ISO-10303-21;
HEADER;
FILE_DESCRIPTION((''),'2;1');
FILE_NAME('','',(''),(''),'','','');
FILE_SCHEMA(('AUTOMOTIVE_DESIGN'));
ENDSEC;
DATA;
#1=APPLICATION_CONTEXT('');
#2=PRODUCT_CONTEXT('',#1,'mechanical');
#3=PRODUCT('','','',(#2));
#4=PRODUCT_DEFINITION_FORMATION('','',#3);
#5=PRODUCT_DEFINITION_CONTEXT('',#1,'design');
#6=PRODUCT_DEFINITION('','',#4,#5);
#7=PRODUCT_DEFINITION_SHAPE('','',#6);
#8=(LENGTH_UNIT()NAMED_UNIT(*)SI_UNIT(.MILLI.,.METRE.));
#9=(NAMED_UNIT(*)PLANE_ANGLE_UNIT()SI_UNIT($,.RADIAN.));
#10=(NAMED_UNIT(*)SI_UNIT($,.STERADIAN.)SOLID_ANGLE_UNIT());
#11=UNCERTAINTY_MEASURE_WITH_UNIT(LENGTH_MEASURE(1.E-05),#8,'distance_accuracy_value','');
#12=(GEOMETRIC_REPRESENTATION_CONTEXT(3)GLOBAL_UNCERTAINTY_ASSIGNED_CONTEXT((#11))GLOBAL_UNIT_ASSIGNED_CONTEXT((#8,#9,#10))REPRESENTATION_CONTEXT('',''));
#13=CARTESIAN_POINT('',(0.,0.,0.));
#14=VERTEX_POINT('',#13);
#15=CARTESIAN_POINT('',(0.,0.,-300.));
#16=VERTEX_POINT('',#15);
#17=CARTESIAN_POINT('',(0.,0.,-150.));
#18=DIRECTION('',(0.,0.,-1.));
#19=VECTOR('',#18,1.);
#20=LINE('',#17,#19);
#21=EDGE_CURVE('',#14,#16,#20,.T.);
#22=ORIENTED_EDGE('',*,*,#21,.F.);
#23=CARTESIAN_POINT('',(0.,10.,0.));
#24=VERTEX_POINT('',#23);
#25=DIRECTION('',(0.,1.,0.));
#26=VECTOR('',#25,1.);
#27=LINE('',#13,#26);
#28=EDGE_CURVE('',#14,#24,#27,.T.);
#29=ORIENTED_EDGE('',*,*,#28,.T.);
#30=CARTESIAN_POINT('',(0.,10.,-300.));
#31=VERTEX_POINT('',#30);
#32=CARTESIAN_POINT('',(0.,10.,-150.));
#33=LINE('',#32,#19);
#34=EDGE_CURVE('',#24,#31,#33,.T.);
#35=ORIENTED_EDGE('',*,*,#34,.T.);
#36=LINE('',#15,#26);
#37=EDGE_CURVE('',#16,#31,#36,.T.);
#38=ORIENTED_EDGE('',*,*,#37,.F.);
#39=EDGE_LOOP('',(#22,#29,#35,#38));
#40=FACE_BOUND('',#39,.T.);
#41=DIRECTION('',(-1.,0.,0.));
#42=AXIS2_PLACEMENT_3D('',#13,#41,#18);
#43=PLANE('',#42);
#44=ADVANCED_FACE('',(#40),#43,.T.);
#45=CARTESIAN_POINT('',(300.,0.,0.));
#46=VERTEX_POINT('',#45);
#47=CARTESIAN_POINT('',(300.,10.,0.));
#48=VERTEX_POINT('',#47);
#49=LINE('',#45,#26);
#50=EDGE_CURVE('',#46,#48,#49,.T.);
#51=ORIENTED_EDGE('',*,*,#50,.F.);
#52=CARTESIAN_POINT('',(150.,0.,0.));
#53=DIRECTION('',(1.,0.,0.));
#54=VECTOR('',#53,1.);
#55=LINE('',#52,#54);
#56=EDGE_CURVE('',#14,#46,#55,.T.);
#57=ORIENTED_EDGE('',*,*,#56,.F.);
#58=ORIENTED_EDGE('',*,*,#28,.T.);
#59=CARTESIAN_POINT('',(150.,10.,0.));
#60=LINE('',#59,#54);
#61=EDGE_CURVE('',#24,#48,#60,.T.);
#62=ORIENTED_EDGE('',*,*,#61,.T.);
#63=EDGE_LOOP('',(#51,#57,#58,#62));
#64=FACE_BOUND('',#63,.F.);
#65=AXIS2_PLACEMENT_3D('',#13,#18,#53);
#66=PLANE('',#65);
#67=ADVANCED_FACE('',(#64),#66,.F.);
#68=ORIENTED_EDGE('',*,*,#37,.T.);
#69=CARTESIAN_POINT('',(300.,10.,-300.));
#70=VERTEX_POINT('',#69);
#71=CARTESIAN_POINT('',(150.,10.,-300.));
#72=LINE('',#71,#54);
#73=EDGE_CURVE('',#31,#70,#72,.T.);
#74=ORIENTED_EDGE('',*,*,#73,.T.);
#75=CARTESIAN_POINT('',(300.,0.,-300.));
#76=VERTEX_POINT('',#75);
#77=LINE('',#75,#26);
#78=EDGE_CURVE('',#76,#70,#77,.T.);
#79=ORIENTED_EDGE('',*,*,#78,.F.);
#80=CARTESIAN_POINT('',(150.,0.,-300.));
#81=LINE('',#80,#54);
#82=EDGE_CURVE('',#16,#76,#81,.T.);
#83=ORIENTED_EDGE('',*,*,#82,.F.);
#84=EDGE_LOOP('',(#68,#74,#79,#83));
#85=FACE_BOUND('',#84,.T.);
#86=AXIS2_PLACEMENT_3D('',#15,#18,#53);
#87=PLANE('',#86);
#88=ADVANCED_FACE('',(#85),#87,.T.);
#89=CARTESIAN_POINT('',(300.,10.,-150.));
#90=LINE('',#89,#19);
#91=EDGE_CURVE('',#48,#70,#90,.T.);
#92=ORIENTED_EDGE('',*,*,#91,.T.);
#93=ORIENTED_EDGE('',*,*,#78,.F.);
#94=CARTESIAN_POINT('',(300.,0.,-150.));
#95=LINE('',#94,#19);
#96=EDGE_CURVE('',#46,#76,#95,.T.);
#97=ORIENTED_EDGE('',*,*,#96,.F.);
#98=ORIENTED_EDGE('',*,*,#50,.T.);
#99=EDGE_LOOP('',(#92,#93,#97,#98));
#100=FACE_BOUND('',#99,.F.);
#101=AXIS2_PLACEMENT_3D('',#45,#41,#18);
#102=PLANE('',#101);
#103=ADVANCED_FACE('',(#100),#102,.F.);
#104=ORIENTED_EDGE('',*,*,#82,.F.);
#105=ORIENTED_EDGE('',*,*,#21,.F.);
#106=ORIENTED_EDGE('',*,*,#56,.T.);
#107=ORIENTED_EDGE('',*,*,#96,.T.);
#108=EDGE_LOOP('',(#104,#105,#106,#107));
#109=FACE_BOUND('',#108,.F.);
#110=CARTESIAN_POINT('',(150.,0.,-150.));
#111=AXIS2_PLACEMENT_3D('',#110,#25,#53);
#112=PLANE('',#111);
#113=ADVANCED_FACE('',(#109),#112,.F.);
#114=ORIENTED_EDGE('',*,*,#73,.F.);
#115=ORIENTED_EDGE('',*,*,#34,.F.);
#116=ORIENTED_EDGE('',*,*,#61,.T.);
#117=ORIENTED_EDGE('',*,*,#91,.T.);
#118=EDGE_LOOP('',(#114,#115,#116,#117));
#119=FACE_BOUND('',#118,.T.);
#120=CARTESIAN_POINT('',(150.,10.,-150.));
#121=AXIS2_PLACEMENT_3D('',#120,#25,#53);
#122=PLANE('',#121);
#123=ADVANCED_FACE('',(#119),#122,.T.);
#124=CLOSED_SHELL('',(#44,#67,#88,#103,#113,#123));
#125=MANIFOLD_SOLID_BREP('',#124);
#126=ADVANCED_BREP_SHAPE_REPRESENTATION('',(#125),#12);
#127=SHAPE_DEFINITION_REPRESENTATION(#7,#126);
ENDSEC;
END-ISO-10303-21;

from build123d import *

# Parameters (mm, degrees)
SKETCH1_W           = 300
SKETCH1_H           = 300
BOSS_EXTRUDE1_DEPTH = 10


with BuildPart() as part:
    # Sketch1 → Boss-Extrude1 (new body)
    with BuildSketch(Plane(origin=(0, 0, 0), x_dir=(1, 0, 0), z_dir=(0, 1, 0))):
        with Locations((150, 150)):
            Rectangle(SKETCH1_W, SKETCH1_H)
    extrude(amount=BOSS_EXTRUDE1_DEPTH)


solid = part.part
